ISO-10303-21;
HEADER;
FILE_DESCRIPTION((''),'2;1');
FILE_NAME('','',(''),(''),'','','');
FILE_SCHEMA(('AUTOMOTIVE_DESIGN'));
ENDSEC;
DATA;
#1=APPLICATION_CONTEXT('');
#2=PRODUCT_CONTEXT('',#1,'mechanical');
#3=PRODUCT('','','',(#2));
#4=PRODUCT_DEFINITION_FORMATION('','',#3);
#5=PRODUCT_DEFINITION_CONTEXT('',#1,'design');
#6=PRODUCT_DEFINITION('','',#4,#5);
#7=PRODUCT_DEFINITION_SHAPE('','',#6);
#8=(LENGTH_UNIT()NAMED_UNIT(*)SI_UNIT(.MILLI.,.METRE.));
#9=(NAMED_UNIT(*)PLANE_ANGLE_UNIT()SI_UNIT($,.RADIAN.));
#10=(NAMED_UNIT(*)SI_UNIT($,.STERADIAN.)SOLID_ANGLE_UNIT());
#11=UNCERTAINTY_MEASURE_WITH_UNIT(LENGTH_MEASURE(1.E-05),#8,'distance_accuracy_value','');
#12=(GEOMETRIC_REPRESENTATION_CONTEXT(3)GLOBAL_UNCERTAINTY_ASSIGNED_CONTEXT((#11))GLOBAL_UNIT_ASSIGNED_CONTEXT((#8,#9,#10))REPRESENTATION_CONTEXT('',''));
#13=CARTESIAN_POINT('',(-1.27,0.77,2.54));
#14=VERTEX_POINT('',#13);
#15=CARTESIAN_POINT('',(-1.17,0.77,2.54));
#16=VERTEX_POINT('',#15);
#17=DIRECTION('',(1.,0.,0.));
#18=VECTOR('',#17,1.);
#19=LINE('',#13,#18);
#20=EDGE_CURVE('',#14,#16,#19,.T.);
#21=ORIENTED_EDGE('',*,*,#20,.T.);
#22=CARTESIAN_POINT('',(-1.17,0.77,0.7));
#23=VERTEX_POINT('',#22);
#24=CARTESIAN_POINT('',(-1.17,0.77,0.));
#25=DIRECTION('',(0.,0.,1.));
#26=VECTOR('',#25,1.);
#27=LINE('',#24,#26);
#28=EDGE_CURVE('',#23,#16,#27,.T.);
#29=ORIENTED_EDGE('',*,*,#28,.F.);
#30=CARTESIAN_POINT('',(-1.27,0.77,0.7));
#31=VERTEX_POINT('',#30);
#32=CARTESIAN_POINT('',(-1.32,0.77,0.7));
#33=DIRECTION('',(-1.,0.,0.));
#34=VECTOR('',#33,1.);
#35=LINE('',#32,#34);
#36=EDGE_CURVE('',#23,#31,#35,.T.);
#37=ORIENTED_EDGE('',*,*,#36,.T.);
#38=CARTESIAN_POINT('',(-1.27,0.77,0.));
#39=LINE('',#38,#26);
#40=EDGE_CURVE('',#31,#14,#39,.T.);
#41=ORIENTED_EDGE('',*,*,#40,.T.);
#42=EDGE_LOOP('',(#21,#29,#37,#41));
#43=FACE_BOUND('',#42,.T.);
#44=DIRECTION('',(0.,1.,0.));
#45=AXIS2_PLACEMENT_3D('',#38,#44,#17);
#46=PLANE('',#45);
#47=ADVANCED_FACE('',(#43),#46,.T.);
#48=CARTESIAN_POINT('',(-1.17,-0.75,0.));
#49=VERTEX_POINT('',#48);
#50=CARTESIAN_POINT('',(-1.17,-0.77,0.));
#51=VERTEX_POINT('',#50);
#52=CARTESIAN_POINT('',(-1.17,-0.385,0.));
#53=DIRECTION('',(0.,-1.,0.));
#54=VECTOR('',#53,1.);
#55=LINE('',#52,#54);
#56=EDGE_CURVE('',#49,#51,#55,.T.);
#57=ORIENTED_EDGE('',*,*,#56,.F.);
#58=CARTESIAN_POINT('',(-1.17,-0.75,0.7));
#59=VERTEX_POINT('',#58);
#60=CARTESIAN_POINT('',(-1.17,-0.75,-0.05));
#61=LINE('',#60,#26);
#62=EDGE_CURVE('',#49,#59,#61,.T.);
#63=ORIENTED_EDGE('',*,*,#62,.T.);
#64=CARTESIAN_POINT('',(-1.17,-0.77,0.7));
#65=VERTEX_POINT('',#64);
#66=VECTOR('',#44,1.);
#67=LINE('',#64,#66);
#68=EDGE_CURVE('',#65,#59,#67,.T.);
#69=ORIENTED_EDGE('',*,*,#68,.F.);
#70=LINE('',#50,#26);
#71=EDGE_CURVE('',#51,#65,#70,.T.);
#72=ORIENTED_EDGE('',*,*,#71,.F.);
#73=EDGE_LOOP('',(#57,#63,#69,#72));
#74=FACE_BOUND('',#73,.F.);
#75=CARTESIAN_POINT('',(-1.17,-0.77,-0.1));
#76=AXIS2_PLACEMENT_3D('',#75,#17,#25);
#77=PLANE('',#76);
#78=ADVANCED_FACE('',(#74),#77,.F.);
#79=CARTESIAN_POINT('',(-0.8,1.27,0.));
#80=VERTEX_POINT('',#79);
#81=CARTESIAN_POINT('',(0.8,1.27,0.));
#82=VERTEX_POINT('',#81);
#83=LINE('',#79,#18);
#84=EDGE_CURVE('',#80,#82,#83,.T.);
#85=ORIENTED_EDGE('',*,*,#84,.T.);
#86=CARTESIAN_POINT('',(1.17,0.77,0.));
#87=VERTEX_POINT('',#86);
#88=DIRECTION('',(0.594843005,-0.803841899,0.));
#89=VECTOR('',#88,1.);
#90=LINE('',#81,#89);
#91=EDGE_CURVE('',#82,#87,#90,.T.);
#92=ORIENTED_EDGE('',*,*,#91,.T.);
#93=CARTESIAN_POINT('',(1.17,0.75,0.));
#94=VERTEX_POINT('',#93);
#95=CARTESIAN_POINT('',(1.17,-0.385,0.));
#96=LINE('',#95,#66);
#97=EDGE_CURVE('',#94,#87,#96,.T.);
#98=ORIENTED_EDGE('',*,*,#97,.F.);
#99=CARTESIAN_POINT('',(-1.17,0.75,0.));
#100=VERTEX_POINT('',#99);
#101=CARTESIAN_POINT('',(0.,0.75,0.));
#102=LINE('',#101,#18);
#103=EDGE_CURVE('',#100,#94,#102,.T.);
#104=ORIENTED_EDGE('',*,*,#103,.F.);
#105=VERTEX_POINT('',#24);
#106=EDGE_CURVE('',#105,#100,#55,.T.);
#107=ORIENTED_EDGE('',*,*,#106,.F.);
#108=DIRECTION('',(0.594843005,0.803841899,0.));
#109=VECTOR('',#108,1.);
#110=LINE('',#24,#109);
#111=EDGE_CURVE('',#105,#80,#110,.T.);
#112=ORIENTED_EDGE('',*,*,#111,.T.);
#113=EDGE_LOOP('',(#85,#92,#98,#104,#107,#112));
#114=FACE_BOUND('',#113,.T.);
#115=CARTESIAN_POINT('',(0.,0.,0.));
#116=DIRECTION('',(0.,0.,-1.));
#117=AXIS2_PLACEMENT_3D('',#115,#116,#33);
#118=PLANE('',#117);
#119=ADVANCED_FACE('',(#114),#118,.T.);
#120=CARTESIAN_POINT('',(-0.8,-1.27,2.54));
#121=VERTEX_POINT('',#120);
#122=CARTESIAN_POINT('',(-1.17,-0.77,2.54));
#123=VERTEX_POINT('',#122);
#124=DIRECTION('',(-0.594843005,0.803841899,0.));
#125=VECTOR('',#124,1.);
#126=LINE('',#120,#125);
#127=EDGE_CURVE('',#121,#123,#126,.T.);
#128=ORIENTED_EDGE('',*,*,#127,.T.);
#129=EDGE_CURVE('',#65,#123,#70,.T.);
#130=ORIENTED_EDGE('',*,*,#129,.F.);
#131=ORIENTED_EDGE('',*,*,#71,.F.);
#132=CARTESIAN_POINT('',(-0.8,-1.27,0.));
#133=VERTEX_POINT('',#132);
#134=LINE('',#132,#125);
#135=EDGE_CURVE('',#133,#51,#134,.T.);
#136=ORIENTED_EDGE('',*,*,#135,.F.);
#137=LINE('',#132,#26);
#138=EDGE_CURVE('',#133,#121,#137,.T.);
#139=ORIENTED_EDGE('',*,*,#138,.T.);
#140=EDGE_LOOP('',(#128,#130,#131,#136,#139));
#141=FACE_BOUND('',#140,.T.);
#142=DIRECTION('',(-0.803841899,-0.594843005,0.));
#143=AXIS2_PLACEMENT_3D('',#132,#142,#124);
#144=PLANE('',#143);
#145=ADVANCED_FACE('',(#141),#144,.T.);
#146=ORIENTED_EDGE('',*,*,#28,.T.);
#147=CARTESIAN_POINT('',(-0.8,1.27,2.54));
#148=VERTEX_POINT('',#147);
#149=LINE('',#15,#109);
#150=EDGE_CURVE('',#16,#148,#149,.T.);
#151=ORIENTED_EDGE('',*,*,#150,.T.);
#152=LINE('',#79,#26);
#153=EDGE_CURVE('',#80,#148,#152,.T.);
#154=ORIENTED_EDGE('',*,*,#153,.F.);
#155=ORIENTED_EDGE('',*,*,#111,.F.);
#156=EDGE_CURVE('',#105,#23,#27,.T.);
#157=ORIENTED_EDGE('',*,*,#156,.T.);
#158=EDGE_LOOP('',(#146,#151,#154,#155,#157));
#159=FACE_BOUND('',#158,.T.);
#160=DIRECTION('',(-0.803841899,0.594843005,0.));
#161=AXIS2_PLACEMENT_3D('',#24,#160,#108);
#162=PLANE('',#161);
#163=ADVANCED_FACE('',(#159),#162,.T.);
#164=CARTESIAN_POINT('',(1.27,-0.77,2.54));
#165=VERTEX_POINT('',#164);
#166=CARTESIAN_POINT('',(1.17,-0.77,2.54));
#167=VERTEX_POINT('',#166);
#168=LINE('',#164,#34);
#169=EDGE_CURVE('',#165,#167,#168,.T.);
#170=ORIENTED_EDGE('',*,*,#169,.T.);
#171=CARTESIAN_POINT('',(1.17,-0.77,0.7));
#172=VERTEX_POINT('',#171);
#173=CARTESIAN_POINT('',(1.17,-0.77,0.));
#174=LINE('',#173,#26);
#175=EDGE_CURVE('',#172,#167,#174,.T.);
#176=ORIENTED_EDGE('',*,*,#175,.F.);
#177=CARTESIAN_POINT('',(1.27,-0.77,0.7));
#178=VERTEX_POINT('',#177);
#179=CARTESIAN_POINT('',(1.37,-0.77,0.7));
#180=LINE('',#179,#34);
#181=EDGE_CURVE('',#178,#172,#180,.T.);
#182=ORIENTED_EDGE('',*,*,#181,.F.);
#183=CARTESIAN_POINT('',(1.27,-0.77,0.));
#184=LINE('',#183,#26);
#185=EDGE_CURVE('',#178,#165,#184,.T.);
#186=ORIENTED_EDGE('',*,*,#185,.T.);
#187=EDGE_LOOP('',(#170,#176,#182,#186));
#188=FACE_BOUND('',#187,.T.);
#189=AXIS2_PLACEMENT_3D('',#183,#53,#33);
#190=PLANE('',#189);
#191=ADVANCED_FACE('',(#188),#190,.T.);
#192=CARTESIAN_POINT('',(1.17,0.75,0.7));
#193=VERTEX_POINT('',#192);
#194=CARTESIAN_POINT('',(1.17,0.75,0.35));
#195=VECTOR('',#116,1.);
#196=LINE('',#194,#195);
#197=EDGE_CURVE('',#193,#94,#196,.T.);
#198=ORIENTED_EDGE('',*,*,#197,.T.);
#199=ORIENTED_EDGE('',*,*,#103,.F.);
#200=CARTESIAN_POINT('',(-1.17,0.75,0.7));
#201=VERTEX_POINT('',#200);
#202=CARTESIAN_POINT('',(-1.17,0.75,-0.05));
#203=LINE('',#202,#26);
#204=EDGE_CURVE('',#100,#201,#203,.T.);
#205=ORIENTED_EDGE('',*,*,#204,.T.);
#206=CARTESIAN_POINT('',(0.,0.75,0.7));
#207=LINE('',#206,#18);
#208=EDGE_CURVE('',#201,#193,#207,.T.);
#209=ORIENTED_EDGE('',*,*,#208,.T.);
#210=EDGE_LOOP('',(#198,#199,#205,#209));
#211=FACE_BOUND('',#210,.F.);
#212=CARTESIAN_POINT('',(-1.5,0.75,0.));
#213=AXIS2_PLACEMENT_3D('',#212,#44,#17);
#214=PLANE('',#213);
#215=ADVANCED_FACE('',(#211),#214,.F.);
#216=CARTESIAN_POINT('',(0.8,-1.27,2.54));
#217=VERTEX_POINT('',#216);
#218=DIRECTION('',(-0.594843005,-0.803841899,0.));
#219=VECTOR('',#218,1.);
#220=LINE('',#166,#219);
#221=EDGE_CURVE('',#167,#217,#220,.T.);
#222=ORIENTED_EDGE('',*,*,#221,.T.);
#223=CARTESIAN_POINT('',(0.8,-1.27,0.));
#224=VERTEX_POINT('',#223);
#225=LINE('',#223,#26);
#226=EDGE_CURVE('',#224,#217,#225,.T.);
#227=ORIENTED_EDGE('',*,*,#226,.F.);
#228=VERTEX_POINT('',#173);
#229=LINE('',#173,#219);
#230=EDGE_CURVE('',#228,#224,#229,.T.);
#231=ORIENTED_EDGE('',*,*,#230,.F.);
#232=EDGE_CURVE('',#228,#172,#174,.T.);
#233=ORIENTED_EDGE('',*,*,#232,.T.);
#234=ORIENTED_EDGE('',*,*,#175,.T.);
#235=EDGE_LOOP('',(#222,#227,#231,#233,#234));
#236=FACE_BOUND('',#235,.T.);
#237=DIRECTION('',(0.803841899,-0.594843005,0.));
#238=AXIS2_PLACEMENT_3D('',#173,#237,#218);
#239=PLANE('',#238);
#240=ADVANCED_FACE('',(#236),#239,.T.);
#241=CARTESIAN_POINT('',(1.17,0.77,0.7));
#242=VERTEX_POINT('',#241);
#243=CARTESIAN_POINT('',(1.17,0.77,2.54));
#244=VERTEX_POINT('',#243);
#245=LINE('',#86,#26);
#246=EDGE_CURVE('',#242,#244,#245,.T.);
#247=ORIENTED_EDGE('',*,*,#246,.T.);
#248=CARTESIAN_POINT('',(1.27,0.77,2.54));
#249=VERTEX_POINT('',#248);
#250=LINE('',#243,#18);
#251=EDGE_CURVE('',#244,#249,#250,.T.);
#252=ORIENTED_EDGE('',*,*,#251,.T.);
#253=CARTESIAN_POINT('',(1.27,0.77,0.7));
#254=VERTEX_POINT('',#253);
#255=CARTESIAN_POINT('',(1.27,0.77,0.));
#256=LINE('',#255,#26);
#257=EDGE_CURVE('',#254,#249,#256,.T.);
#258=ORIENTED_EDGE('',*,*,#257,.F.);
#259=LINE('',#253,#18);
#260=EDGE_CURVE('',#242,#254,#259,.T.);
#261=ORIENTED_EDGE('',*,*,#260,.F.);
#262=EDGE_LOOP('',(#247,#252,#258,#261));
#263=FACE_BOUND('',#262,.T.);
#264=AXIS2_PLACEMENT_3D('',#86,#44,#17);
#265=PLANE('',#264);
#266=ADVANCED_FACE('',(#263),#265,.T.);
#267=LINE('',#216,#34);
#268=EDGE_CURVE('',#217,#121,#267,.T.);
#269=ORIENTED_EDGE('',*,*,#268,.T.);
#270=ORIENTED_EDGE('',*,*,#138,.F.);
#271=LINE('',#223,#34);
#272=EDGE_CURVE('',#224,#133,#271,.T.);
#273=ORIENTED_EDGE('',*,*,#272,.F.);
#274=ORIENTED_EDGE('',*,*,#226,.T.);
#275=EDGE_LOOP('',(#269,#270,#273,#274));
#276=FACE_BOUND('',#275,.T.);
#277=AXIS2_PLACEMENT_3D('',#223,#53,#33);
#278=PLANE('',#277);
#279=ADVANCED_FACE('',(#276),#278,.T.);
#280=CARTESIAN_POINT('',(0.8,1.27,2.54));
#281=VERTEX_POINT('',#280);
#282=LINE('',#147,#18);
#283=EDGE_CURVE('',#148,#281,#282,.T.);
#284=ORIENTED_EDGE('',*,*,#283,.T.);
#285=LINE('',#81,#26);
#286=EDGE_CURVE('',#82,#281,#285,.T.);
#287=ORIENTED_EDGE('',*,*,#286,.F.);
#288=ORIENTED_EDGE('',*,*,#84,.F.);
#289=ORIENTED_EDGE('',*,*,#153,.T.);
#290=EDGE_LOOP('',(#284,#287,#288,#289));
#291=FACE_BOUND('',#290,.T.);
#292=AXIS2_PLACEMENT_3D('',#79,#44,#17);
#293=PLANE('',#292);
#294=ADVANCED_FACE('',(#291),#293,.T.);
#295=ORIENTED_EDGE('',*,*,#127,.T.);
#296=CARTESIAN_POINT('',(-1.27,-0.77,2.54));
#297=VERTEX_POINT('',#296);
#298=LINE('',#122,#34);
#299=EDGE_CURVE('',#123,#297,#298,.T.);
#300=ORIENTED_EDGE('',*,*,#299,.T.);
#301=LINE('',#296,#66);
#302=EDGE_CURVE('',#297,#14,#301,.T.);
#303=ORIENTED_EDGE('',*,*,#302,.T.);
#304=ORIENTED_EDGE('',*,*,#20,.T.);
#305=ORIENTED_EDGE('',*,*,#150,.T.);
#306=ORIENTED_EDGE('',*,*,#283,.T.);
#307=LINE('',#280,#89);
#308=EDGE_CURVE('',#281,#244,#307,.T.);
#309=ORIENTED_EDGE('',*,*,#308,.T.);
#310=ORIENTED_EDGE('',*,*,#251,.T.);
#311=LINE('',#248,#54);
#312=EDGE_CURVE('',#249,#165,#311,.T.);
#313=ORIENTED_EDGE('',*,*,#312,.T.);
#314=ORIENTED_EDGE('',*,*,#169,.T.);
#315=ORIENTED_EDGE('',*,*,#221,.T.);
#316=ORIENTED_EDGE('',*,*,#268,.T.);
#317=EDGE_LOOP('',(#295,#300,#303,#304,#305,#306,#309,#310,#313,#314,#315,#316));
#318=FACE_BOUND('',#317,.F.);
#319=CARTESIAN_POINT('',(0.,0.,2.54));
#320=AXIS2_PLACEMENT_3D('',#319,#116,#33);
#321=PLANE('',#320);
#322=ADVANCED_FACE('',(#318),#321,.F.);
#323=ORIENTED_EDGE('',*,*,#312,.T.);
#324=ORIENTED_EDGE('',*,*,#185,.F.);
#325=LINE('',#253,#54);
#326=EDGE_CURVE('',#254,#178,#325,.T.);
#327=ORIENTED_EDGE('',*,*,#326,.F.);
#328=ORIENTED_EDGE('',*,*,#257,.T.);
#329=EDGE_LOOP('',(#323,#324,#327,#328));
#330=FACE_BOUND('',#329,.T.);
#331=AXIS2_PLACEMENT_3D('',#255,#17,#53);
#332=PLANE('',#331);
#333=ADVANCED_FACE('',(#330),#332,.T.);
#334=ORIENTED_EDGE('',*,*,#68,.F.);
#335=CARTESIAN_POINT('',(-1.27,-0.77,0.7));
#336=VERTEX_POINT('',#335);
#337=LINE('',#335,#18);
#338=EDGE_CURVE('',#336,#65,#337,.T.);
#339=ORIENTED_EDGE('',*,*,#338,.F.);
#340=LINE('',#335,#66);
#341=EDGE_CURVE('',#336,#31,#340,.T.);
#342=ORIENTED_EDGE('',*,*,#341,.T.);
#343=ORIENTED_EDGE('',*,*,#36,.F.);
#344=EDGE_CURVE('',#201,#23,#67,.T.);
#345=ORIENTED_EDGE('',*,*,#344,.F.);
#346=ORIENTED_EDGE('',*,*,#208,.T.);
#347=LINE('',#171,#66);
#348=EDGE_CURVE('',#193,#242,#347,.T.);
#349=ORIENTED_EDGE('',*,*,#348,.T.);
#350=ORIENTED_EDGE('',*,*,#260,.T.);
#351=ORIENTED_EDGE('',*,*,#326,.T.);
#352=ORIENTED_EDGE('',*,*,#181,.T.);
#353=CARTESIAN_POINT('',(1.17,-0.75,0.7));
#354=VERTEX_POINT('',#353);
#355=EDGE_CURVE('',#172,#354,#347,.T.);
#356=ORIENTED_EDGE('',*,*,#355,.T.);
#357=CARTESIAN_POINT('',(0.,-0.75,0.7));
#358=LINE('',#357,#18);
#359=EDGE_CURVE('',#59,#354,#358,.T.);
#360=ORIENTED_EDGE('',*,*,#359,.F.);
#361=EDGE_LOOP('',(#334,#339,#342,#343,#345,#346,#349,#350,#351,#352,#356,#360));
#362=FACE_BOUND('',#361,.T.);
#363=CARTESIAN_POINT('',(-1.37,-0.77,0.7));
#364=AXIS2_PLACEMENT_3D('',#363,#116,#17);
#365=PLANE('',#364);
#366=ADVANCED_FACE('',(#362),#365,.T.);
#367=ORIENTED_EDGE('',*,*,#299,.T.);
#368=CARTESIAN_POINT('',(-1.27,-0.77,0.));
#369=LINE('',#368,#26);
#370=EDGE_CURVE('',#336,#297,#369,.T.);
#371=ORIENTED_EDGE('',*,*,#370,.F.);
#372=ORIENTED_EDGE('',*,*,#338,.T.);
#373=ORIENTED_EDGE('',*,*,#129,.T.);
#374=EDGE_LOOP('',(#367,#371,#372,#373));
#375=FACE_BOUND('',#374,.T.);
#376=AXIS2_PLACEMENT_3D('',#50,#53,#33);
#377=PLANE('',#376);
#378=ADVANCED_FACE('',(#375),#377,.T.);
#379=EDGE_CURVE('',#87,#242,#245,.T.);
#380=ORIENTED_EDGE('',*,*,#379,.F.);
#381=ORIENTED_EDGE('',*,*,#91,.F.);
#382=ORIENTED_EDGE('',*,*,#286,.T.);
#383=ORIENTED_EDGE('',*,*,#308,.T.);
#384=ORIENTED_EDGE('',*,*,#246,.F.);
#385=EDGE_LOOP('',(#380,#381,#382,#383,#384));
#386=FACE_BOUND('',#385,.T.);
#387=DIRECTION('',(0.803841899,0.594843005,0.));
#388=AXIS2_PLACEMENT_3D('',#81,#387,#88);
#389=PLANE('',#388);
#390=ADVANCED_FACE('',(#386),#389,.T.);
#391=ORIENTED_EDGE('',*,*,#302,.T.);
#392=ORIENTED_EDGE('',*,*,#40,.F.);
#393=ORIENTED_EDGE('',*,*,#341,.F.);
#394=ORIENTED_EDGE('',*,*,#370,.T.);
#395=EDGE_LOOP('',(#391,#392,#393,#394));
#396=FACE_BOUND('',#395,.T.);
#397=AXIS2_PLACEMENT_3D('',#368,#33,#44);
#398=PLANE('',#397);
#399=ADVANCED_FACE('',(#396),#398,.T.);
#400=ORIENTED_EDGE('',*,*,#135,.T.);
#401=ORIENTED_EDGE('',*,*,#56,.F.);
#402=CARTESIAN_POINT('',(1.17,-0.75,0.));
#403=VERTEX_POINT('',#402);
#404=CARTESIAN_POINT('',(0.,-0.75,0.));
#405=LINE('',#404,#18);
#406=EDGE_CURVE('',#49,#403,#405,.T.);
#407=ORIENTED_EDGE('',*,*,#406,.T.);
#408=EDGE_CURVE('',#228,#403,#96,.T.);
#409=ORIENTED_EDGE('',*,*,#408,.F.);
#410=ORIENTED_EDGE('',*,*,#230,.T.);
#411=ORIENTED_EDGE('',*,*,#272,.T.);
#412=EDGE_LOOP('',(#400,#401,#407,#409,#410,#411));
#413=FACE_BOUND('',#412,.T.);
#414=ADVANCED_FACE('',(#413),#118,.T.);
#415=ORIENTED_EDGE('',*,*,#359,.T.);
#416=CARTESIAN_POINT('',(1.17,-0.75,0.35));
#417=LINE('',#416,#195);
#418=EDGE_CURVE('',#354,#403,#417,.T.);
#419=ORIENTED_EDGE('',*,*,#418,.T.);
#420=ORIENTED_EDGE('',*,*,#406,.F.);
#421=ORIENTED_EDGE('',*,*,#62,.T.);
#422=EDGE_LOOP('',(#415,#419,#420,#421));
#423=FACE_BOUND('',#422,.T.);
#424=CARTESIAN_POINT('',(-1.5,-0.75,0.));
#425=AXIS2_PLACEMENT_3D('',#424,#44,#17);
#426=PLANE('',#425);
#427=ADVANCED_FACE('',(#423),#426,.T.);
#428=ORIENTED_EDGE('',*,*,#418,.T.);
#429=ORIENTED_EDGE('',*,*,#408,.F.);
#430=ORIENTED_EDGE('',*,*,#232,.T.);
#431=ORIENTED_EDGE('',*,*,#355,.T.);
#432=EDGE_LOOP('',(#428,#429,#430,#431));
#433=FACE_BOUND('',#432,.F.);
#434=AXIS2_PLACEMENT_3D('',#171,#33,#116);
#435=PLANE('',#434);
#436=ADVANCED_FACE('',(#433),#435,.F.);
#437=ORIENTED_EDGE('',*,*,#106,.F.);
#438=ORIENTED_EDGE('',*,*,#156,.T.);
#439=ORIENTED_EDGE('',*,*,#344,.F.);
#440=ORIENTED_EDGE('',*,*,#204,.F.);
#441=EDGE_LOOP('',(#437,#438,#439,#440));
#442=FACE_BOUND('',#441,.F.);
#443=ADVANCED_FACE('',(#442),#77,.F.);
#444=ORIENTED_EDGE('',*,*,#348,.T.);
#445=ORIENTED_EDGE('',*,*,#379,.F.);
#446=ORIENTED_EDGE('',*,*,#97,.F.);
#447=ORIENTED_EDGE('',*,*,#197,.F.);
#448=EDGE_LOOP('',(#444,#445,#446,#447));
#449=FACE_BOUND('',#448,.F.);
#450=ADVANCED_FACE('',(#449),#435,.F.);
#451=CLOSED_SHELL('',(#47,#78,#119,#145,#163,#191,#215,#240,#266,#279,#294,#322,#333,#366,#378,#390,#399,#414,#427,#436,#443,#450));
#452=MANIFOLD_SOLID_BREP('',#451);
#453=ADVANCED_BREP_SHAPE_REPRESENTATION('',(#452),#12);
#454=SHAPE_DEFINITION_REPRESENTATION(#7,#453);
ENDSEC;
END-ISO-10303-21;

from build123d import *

# Parameters (mm, degrees)
PAD002_DEPTH       = 2.54
SKETCH007_W        = 0.2
SKETCH007_H        = 0.8
POCKET001002_DEPTH = 2.041
SKETCH008_W        = 3
SKETCH008_H        = 1.5
POCKET001003_DEPTH = 0.7


with BuildPart() as part:
    # Sketch006 → Pad002 (new body)
    with BuildSketch(Plane.XY):
        Polygon((-1.27, 0.77), (-1.17, 0.77), (-0.8, 1.27), (0.8, 1.27), (1.17, 0.77), (1.27, 0.77), (1.27, -0.77), (1.17, -0.77), (0.8, -1.27), (-0.8, -1.27), (-1.17, -0.77), (-1.27, -0.77), align=None)
    extrude(amount=PAD002_DEPTH)

    # Sketch007 (on Face8 of Pad002) → Pocket001002 (cut, through all)
    with BuildSketch(Plane.XZ.offset(0.77)):
        Polygon((1.17, 0.7), (1.27, 0.7), (1.37, 0.7), (1.37, -0.1), (1.17, -0.1), (1.17, 0), align=None)
        with Locations((-1.27, 0.3)):
            Rectangle(SKETCH007_W, SKETCH007_H)
    extrude(amount=-POCKET001002_DEPTH, mode=Mode.SUBTRACT)

    # Sketch008 (on Face16 of Pocket001002) → Pocket001003 (cut)
    with BuildSketch(Plane(origin=(0, 0, 0), x_dir=(1, 0, 0), z_dir=(0, 0, -1))):
        Rectangle(SKETCH008_W, SKETCH008_H)
    extrude(amount=-POCKET001003_DEPTH, mode=Mode.SUBTRACT)


solid = part.part
